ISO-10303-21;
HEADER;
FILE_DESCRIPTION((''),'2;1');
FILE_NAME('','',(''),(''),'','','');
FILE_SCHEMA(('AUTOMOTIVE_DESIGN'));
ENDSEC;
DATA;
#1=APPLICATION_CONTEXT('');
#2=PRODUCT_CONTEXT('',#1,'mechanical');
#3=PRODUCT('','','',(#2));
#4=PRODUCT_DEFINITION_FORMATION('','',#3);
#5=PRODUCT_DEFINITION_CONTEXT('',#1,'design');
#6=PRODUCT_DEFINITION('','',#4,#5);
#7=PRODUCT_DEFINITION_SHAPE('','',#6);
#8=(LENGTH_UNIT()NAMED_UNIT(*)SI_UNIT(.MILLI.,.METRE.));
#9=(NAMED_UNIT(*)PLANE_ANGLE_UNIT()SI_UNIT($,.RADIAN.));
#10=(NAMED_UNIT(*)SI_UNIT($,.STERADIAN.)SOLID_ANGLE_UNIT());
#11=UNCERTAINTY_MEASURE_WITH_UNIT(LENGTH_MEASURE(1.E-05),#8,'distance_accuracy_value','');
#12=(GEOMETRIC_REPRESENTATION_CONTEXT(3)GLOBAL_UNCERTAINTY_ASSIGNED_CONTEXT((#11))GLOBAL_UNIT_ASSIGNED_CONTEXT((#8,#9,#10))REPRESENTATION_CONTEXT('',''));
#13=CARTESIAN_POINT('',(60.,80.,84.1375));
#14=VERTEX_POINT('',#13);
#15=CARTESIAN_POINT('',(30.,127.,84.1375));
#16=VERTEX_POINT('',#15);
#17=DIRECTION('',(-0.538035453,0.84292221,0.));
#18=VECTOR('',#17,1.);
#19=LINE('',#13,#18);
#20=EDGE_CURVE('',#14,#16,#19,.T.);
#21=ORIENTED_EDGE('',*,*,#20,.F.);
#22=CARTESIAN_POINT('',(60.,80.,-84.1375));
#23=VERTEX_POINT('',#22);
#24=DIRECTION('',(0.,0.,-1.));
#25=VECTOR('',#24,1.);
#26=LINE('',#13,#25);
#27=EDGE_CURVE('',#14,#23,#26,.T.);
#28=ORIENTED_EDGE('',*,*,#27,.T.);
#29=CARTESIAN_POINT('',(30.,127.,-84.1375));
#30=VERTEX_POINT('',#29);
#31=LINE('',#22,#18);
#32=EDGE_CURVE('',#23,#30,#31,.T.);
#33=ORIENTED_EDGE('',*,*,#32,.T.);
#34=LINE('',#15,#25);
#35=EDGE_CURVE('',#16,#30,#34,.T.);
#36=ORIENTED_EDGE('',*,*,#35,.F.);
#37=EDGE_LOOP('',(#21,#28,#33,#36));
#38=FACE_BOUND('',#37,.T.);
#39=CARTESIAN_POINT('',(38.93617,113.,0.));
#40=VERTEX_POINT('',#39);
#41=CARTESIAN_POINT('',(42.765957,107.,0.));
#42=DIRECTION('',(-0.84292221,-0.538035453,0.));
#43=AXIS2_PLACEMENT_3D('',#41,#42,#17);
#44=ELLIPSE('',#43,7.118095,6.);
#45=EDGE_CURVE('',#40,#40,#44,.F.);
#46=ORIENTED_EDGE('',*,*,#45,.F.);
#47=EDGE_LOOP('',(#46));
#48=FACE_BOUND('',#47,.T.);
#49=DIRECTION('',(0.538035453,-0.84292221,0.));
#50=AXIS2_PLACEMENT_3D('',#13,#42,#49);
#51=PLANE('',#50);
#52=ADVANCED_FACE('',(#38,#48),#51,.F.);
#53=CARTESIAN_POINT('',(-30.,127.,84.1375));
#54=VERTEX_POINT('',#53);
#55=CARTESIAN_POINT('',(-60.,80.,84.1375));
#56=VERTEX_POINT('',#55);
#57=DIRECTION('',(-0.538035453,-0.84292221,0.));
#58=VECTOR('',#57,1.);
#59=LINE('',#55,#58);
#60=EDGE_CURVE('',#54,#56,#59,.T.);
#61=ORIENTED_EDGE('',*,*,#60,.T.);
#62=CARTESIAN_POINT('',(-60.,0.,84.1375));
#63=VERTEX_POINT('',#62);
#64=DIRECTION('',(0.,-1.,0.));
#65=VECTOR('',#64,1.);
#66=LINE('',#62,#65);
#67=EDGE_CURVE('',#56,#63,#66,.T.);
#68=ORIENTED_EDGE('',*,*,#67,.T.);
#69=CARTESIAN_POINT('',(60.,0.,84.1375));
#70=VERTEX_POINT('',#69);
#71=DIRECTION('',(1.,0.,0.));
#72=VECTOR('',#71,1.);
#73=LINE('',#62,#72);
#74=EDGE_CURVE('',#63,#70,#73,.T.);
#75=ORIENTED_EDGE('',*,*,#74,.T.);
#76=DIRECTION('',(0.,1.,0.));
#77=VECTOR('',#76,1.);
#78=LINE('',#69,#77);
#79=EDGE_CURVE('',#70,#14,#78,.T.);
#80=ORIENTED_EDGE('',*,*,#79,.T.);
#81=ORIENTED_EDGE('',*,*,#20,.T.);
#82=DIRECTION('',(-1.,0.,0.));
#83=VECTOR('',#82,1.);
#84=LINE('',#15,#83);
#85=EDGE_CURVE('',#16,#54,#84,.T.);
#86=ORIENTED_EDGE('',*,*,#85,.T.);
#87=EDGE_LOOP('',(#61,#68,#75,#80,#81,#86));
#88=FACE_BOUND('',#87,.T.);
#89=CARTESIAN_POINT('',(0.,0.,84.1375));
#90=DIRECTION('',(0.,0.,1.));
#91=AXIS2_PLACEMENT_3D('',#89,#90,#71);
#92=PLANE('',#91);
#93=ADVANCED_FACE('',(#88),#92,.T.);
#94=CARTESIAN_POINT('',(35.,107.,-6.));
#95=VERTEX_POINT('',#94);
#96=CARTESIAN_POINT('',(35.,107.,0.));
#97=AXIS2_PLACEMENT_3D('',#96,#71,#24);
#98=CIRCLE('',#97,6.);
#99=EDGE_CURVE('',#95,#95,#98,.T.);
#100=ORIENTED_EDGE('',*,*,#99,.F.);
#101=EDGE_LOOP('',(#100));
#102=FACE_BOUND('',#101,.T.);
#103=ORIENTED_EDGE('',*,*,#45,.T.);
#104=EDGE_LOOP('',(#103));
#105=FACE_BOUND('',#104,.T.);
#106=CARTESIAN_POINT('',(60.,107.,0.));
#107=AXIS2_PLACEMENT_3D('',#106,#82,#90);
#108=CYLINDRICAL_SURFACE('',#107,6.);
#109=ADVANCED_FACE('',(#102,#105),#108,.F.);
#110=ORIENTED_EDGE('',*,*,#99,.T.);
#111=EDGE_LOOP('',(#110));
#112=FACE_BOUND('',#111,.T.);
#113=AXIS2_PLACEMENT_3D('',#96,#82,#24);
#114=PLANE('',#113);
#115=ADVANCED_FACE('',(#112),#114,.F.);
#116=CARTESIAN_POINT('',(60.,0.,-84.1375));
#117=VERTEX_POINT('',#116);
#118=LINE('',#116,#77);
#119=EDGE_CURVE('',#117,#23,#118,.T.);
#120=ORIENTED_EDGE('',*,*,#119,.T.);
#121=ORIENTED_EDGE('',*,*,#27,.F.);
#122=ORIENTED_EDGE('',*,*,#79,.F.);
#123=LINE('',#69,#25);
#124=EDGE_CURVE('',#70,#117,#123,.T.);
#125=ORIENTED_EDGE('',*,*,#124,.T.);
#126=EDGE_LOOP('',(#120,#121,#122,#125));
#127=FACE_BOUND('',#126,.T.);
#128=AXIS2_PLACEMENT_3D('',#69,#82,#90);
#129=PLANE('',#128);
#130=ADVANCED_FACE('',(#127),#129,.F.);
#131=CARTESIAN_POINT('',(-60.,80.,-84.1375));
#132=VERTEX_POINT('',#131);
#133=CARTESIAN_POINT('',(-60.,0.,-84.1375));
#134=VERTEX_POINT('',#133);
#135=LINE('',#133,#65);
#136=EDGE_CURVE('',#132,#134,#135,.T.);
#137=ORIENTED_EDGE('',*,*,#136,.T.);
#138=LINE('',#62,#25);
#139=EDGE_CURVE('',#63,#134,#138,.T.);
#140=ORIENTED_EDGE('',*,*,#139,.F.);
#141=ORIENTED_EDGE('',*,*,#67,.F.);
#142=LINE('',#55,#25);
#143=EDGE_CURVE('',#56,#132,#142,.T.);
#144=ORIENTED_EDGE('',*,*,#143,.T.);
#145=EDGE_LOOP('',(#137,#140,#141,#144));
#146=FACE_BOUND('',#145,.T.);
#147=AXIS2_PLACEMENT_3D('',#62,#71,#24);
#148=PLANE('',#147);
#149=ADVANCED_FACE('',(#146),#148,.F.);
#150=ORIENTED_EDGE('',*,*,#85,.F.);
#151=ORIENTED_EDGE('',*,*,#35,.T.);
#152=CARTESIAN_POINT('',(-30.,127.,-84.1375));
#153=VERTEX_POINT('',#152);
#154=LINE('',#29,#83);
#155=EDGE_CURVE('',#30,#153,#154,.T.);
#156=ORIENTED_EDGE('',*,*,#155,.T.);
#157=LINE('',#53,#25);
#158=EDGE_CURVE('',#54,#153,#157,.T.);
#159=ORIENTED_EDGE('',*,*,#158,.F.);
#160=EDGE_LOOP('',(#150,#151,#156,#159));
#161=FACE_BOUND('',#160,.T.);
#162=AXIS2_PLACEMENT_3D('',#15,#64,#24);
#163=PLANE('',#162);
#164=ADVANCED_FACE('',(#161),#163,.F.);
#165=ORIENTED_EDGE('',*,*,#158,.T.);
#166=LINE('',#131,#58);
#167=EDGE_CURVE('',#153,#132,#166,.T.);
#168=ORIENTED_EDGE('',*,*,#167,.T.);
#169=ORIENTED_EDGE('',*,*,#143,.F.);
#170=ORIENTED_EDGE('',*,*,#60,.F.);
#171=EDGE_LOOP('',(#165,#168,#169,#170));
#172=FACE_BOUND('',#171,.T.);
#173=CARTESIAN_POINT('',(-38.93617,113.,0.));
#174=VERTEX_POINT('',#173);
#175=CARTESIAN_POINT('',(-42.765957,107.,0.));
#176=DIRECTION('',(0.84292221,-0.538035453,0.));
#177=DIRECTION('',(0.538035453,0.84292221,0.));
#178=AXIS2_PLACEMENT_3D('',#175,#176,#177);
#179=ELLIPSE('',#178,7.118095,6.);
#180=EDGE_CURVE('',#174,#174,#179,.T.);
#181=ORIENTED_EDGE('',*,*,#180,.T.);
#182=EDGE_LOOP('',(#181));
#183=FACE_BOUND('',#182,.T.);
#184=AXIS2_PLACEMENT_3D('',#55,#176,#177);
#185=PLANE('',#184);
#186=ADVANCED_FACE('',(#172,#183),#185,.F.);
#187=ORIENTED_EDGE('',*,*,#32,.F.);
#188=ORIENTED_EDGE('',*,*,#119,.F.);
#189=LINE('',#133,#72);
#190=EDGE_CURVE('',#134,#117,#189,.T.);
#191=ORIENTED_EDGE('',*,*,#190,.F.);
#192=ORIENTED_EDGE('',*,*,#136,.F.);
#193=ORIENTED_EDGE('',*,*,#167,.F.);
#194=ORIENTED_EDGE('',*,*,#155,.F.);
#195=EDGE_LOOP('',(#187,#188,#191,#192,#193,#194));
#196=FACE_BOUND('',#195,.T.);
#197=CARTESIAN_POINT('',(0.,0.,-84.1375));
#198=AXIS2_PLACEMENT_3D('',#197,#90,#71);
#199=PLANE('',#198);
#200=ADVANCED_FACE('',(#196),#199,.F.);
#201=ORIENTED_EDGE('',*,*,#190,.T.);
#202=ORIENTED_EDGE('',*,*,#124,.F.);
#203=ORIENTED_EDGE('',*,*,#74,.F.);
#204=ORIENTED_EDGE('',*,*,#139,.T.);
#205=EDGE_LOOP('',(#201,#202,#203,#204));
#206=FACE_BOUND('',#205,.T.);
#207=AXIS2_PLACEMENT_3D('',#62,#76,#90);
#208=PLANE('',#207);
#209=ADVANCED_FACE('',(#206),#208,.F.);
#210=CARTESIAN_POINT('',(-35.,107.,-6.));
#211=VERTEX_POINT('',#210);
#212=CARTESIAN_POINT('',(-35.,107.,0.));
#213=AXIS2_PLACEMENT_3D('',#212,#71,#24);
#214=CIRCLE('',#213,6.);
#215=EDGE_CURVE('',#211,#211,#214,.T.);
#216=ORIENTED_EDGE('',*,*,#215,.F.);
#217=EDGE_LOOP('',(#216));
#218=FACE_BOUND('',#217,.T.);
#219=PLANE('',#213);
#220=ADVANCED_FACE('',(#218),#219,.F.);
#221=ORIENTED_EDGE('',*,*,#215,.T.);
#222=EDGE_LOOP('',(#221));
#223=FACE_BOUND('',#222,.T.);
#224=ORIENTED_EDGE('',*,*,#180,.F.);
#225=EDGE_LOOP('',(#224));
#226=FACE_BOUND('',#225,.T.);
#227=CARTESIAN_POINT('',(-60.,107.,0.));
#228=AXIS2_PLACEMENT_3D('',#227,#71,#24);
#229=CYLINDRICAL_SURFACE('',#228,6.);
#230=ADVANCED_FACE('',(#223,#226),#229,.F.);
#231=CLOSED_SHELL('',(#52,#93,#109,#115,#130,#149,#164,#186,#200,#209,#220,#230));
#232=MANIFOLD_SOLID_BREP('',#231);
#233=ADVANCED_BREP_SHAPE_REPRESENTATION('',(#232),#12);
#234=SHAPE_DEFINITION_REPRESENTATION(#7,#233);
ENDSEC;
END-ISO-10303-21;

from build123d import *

# Parameters (mm, degrees)
RESSALTO_EXTRUS_O1_DEPTH = 84.1375
CORTE_EXTRUS_O1_START    = -35
ESBO_O2_R                = 6
CORTE_EXTRUS_O1_DEPTH    = 26


with BuildPart() as part:
    # Esboço1 → Ressalto-extrusão1 (new body, symmetric)
    with BuildSketch(Plane.XY):
        Polygon((-60, 0), (60, 0), (60, 80), (30, 127), (-30, 127), (-60, 80), align=None)
    extrude(amount=RESSALTO_EXTRUS_O1_DEPTH, both=True)

    # Esboço2 → Corte-extrusão1 (cut, through all)
    with BuildSketch(Plane(origin=(0, 0, 0), x_dir=(0, 0, -1), z_dir=(1, 0, 0)).offset(CORTE_EXTRUS_O1_START)):
        with Locations((0, 107)):
            Circle(ESBO_O2_R)
    corte_extrus_o1 = extrude(amount=-CORTE_EXTRUS_O1_DEPTH, mode=Mode.SUBTRACT)

    # Espelhar1: Corte-extrusão1 across plane
    add(corte_extrus_o1.mirror(Plane(origin=(0, 0, 0), x_dir=(0, 0, 1), z_dir=(1, 0, 0))), mode=Mode.SUBTRACT)


solid = part.part
